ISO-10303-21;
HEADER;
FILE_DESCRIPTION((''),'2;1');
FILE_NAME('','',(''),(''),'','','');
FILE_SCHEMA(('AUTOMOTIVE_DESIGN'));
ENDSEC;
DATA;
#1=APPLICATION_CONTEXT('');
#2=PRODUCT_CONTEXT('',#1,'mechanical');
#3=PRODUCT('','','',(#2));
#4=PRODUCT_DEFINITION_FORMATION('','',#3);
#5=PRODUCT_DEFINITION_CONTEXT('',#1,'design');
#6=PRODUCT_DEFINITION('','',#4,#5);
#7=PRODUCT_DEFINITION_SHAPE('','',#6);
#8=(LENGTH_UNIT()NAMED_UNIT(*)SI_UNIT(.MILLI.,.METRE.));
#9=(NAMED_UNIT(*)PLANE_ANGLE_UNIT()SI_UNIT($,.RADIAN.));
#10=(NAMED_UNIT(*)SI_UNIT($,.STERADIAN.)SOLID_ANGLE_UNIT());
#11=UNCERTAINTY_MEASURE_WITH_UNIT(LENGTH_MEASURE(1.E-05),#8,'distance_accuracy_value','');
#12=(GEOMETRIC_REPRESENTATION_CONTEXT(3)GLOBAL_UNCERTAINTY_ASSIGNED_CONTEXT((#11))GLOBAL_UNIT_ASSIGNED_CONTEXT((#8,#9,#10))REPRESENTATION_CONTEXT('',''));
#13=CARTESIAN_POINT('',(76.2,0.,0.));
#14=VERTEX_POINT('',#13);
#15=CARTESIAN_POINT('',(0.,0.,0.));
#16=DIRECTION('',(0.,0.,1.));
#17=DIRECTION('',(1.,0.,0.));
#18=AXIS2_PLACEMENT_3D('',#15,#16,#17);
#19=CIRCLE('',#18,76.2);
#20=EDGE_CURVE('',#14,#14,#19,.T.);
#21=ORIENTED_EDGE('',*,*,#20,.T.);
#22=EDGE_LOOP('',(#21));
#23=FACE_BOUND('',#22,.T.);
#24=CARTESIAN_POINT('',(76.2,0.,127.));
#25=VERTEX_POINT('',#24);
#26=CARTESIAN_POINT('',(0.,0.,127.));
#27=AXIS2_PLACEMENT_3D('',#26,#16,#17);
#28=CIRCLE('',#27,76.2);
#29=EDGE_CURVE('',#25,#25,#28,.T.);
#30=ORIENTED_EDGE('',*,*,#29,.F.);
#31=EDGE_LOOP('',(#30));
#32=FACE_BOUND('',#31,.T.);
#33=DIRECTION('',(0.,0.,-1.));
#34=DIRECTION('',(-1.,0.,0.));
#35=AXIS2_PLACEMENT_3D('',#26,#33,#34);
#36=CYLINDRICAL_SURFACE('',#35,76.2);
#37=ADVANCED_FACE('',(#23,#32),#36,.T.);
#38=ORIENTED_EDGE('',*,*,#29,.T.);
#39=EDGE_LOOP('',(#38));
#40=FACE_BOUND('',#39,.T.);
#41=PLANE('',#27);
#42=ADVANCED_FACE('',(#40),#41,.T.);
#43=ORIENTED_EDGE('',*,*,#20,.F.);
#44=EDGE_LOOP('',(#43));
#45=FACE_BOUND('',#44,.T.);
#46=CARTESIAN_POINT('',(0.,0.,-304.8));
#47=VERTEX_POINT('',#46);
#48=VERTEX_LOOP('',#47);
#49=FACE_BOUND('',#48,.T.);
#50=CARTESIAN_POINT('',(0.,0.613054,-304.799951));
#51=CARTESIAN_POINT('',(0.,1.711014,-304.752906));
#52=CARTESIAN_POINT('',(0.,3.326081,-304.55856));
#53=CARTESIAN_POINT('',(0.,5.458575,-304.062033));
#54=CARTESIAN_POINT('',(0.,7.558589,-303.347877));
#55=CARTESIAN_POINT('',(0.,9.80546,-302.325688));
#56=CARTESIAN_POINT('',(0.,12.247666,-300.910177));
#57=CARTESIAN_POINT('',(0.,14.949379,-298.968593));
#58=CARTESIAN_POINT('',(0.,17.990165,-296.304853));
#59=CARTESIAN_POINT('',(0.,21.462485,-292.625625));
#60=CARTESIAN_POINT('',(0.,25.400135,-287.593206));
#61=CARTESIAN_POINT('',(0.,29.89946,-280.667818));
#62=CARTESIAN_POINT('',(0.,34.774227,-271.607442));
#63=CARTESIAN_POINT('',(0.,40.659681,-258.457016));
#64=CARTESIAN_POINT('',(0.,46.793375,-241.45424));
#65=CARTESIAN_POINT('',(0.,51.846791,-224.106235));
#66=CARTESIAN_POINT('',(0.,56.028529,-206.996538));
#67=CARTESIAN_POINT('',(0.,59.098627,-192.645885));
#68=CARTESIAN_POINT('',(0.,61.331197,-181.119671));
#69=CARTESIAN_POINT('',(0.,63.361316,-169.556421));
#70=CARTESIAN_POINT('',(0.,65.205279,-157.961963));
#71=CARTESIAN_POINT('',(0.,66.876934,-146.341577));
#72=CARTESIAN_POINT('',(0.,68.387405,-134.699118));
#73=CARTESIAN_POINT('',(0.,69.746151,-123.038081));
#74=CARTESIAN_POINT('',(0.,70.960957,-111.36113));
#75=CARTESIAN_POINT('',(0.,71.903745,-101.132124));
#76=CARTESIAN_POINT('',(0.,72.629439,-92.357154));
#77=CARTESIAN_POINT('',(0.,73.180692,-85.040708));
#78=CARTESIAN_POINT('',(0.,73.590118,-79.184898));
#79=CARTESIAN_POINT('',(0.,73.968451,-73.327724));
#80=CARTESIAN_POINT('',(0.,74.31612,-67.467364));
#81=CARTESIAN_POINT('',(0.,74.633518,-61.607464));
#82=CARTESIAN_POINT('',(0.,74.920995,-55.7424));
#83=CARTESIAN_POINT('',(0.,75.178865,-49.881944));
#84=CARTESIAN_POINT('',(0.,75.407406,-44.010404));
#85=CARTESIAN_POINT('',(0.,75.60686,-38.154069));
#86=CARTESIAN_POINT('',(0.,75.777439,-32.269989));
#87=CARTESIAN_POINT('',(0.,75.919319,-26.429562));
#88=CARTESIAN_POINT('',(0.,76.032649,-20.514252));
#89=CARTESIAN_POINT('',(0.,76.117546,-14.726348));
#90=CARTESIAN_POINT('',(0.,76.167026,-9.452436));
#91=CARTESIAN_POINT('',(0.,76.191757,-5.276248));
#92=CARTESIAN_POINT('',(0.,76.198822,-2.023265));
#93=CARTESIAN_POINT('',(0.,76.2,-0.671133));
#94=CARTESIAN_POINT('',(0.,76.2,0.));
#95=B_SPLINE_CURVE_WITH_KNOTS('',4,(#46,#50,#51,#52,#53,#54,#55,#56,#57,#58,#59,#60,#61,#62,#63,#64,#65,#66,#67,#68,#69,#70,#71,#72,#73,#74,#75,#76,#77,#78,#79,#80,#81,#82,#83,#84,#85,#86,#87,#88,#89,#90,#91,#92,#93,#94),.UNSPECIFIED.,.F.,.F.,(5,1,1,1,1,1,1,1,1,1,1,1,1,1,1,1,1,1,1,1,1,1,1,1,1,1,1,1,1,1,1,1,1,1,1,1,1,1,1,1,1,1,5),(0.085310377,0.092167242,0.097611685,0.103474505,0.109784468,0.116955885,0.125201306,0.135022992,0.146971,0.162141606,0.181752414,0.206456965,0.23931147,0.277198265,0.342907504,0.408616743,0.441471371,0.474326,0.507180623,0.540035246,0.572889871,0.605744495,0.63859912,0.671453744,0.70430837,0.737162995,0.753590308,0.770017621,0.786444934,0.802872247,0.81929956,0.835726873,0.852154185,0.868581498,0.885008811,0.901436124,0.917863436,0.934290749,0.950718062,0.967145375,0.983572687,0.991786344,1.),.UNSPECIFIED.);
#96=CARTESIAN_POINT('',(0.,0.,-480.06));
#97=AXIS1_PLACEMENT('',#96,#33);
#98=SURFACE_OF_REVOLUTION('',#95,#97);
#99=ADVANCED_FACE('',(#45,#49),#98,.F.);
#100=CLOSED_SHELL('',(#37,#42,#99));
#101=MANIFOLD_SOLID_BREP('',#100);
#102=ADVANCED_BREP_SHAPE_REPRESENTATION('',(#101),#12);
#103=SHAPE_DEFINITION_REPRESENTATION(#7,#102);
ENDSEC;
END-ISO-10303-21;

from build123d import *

# Parameters (mm, degrees)
SKETCH2_R           = 76.2
BOSS_EXTRUDE1_DEPTH = 127


with BuildPart() as part:
    # Sketch1 → Revolve1 (revolve)
    with BuildSketch(Plane(origin=(0, 0, 0), x_dir=(0, 0, -1), z_dir=(1, 0, 0))):
        with BuildLine():
            Line((0, 76.2), (0, 0))
            Line((0, 0), (304.8, 0))
            add(Edge.make_bspline(
                [(0, 76.2), (0.671133463, 76.2), (2.023265319, 76.198822492), (5.276247957, 76.191757441), (9.452435748, 76.167026156), (14.726348104, 76.117545572), (20.51425174, 76.032649472), (26.429561889, 75.919319453), (32.269989421, 75.777438685), (38.154069005, 75.606860132), (44.010403891, 75.40740554), (49.88194385, 75.178864924), (55.742400312, 74.92099478), (61.607463999, 74.633517898), (67.467364109, 74.316120003), (73.327724428, 73.968451037), (79.184898173, 73.590118195), (85.040708317, 73.180691625), (92.357153843, 72.629439007), (101.13212406, 71.903745087), (111.361129822, 70.960957097), (123.0380813, 69.746151307), (134.699118227, 68.387405111), (146.341577132, 66.876933899), (157.961963267, 65.205278926), (169.556420782, 63.361316003), (181.119671143, 61.331197113), (192.645885152, 59.098627001), (206.996537877, 56.028529221), (224.106235057, 51.846790659), (241.454240172, 46.793374651), (258.45701636, 40.659680658), (271.607441704, 34.77422735), (280.667817924, 29.899459648), (287.593205526, 25.400134679), (292.625625405, 21.462485274), (296.304852606, 17.990165256), (298.968593496, 14.94937932), (300.910177316, 12.247665763), (302.325687862, 9.805459806), (303.347876695, 7.558589379), (304.062033092, 5.458575046), (304.558560024, 3.326081323), (304.752906125, 1.711014456), (304.79995145, 0.613054441), (304.8, 0)],
                knots=[0.085310377, 0.085310377, 0.085310377, 0.085310377, 0.085310377, 0.093524034, 0.10173769, 0.118165003, 0.134592316, 0.151019628, 0.167446941, 0.183874254, 0.200301566, 0.216728879, 0.233156192, 0.249583505, 0.266010818, 0.282438131, 0.298865443, 0.315292756, 0.331720069, 0.348147382, 0.381002008, 0.413856633, 0.446711258, 0.479565882, 0.512420507, 0.545275131, 0.578129754, 0.610984378, 0.643839006, 0.676693634, 0.742402874, 0.808112112, 0.845998907, 0.878853412, 0.903557964, 0.923168772, 0.938339377, 0.950287386, 0.960109072, 0.968354492, 0.97552591, 0.981835872, 0.987698692, 0.993143136, 1, 1, 1, 1, 1], degree=4))
        make_face()
    revolve(axis=Axis((0, 0, -480.06), (0, 0, 1)))

    # Sketch2 → Boss-Extrude1 (add)
    with BuildSketch(Plane.XY):
        Circle(SKETCH2_R)
    extrude(amount=BOSS_EXTRUDE1_DEPTH)


solid = part.part
